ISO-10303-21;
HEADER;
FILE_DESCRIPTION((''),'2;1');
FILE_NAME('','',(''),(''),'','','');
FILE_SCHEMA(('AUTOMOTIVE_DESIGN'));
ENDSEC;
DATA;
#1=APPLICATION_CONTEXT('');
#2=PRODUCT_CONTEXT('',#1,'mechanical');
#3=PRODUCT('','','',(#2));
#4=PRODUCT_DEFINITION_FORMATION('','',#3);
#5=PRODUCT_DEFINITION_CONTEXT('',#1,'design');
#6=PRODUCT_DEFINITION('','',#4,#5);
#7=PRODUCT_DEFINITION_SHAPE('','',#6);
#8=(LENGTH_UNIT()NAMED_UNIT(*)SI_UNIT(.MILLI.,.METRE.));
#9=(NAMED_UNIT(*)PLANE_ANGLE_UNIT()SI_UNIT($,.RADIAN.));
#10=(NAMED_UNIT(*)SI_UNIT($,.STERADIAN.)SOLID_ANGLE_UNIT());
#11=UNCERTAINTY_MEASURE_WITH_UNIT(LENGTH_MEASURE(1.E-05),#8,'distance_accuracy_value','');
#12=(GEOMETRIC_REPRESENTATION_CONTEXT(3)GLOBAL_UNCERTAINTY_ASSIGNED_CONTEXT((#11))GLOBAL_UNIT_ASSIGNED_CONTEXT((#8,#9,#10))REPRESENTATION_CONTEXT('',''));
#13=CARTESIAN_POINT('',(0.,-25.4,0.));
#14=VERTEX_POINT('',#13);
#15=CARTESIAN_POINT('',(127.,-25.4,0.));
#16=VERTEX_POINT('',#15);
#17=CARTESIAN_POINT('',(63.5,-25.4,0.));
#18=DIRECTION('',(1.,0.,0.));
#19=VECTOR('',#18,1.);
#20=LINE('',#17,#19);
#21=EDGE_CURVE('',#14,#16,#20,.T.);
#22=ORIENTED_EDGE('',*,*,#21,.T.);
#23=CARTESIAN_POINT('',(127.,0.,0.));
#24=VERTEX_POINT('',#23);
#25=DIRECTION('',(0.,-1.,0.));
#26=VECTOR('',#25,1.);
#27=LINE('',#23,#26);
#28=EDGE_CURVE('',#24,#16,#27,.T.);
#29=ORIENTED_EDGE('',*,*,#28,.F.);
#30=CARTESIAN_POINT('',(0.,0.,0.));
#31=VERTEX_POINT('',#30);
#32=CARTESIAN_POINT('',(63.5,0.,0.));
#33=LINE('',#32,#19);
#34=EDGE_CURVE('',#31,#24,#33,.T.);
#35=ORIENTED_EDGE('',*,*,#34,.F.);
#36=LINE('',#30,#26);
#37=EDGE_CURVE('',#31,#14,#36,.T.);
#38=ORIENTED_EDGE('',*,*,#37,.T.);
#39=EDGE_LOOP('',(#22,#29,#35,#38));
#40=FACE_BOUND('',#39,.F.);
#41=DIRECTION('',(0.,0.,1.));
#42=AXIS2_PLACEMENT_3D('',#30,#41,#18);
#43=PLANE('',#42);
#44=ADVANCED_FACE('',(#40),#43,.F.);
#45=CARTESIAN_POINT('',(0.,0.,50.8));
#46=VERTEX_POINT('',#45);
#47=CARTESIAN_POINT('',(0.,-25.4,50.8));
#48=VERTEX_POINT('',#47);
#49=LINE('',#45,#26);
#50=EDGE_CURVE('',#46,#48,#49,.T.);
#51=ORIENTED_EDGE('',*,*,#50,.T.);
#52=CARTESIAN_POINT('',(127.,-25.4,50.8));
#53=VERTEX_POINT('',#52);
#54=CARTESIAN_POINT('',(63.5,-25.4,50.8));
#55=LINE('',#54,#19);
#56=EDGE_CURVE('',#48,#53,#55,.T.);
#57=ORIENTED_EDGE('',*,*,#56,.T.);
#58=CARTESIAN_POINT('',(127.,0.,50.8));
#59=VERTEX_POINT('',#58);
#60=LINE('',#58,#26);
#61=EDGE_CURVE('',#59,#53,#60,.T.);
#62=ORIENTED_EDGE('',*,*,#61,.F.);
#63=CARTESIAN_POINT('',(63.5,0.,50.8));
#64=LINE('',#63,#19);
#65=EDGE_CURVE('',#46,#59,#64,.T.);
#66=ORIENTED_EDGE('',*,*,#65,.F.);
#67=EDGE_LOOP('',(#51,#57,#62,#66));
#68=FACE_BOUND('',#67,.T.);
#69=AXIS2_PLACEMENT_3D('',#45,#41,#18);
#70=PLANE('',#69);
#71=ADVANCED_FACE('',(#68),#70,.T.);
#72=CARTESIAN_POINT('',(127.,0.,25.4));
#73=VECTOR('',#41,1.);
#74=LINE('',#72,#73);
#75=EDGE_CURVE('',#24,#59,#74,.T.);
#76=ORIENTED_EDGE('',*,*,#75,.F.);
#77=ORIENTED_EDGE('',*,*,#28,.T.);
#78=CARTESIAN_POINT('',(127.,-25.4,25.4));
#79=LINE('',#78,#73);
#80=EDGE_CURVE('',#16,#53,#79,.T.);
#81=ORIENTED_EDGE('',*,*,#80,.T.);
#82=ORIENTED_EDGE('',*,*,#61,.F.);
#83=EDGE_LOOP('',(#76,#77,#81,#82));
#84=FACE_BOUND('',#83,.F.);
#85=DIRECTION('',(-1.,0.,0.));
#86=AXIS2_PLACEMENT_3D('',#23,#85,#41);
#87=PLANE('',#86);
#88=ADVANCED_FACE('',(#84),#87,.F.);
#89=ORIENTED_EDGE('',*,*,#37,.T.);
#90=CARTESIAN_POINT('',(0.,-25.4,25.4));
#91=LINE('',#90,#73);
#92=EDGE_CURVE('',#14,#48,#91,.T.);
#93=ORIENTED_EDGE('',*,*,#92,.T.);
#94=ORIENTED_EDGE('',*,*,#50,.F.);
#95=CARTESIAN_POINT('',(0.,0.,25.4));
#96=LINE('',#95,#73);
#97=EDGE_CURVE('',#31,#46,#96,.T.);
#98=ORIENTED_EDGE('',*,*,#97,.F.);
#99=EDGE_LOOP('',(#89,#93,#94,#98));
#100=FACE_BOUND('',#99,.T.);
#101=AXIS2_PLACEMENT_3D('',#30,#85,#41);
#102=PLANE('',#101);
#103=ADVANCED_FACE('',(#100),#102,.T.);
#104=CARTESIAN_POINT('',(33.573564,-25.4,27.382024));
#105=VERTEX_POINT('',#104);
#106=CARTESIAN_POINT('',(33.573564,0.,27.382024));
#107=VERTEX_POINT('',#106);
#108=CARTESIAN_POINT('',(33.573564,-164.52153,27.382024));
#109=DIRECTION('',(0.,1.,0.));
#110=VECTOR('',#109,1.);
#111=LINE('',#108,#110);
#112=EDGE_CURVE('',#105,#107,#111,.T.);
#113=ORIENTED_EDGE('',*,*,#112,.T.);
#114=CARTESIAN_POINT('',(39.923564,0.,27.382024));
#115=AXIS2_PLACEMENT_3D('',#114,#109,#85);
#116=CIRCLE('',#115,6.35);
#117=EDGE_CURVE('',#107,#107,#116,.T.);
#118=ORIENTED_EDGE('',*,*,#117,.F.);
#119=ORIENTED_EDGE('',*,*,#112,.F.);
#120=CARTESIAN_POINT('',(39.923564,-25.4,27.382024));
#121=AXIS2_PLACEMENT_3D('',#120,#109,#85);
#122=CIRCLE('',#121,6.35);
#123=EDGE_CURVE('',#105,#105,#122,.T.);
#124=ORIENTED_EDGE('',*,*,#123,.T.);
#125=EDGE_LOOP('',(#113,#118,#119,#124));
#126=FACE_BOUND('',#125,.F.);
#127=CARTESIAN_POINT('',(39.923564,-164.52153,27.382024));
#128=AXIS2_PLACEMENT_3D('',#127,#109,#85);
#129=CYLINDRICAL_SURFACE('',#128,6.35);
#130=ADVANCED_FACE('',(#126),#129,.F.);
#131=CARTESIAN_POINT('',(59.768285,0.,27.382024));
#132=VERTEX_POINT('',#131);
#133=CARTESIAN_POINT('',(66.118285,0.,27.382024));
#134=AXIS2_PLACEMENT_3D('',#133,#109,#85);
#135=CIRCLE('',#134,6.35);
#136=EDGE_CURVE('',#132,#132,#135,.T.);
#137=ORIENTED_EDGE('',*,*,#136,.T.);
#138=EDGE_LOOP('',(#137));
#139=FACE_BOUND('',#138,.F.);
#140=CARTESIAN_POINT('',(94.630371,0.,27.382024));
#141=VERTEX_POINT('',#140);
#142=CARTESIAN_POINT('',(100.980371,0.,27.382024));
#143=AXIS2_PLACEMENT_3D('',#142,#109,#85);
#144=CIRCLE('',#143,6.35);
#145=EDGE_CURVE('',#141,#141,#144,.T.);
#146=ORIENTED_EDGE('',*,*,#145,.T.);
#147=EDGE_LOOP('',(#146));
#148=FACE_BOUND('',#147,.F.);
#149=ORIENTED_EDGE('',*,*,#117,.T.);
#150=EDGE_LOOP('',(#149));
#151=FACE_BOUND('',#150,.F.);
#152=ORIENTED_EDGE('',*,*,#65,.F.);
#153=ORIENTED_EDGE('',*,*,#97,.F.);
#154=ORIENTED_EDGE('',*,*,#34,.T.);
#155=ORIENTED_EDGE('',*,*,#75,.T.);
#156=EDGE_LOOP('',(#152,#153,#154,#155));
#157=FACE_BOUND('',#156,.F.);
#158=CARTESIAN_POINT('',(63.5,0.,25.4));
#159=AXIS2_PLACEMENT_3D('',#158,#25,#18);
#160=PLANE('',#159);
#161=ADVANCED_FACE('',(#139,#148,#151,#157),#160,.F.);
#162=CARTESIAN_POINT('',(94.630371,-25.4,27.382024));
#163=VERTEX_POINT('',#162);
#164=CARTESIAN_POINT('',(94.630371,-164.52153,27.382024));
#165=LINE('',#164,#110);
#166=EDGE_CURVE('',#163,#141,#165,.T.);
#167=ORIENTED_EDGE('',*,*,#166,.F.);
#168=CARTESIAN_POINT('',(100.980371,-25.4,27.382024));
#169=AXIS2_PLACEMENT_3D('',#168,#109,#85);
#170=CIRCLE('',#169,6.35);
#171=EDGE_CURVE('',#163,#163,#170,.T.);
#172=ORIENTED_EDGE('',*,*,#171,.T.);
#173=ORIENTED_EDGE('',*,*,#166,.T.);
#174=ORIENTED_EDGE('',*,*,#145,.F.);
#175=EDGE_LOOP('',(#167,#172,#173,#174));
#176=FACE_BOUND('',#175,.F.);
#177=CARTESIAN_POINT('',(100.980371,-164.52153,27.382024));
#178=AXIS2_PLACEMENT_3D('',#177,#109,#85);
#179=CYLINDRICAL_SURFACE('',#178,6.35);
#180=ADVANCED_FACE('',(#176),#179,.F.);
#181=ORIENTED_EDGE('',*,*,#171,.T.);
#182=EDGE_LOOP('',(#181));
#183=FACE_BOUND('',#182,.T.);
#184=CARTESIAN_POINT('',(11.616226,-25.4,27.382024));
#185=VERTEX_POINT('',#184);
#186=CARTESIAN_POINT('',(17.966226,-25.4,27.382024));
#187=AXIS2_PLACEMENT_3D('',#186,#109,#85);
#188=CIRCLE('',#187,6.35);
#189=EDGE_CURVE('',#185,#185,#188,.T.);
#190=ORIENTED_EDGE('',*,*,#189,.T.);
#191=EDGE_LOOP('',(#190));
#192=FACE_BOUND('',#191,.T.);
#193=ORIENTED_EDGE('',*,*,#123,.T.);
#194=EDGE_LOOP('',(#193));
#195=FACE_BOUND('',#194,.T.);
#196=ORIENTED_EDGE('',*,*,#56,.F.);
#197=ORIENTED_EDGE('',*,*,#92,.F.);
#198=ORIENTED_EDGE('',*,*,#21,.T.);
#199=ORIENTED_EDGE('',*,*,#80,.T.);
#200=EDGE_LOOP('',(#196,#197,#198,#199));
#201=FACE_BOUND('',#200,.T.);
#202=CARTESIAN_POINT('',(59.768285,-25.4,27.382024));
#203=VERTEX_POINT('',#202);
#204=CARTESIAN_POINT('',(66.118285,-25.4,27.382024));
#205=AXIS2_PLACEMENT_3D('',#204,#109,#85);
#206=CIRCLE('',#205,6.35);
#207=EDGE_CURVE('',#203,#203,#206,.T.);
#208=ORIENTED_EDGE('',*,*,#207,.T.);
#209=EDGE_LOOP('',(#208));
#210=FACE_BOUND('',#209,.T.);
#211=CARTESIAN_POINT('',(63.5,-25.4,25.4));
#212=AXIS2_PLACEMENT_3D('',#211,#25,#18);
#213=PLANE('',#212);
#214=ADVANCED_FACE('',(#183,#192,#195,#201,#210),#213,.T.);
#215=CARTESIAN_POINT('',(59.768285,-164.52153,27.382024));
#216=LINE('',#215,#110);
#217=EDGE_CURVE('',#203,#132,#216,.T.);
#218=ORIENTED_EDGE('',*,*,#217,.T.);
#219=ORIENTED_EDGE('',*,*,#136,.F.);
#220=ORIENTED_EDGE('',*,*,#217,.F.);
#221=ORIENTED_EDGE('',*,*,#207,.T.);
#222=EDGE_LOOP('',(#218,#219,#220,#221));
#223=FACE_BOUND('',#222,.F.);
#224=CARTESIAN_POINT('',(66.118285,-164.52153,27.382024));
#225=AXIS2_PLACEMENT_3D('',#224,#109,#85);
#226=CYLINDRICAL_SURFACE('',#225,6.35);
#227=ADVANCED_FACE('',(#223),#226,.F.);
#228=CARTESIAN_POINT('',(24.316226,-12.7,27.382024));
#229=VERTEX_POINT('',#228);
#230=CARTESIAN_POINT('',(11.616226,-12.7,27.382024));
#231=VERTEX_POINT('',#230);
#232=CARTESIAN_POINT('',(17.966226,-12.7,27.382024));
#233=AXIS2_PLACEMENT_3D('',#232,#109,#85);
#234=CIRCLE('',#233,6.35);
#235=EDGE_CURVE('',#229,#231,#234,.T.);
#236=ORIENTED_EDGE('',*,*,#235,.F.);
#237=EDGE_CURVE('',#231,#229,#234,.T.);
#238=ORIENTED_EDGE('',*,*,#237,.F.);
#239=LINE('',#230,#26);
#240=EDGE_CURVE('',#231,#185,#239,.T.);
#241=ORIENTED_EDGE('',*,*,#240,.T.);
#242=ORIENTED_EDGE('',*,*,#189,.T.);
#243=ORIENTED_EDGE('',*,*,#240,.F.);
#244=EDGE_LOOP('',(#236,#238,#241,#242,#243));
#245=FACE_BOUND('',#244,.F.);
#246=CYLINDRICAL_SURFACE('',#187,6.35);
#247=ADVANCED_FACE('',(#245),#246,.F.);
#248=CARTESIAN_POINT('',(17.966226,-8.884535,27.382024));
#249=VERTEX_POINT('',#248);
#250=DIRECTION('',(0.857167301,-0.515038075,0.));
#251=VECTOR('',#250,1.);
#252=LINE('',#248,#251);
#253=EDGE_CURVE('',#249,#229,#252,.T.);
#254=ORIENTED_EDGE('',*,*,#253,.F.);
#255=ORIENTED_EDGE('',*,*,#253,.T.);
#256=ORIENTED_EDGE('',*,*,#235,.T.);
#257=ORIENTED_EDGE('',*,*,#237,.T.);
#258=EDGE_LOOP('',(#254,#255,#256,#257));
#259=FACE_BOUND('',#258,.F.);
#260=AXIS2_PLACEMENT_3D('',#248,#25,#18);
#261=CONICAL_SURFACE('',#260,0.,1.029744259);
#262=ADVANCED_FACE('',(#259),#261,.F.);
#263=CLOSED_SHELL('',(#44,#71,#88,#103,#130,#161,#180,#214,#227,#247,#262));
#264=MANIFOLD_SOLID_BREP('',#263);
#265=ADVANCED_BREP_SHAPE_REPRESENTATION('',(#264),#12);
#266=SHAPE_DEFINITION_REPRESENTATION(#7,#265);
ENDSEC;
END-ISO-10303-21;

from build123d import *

# Parameters (mm, degrees)
F0_W           = 127
F0_H           = 50.8
F1_DEPTH       = 25.4
F3_D           = 12.7
F3_DEPTH       = 12.7
F3_CBORE_D     = 12.7
F3_CBORE_DEPTH = 6.35
F3_TIP         = 3.8154649308
F4_D           = 12.7
F5_D           = 12.7
F6_D           = 12.7


with BuildPart() as f1:
    # F0 (on Front) → F1 (new body)
    with BuildSketch(Plane.XZ):
        with Locations((63.5, 25.4)):
            Rectangle(F0_W, F0_H)
    extrude(amount=F1_DEPTH)

    # F3
    with Locations(Plane.XZ.offset(25.4)):
        with Locations((17.9662257433, 27.3820236325)):
            CounterBoreHole(F3_D / 2, F3_CBORE_D / 2, F3_CBORE_DEPTH, depth=F3_DEPTH)
            with Locations((0, 0, -(F3_DEPTH + F3_TIP / 2))):  # 118° drill point
                Cone(0, F3_D / 2, F3_TIP, mode=Mode.SUBTRACT)

    # F4 (through all)
    with Locations(Plane.XZ.offset(25.4)):
        with Locations((39.9235635996, 27.3820236325)):
            Hole(F4_D / 2)

    # F5 (through all)
    with Locations(Plane.XZ.offset(25.4)):
        with Locations((66.1182850599, 27.3820236325)):
            Hole(F5_D / 2)

    # F6 (through all)
    with Locations(Plane.XZ.offset(25.4)):
        with Locations((100.9803712368, 27.3820236325)):
            Hole(F6_D / 2)


solid = f1.part
